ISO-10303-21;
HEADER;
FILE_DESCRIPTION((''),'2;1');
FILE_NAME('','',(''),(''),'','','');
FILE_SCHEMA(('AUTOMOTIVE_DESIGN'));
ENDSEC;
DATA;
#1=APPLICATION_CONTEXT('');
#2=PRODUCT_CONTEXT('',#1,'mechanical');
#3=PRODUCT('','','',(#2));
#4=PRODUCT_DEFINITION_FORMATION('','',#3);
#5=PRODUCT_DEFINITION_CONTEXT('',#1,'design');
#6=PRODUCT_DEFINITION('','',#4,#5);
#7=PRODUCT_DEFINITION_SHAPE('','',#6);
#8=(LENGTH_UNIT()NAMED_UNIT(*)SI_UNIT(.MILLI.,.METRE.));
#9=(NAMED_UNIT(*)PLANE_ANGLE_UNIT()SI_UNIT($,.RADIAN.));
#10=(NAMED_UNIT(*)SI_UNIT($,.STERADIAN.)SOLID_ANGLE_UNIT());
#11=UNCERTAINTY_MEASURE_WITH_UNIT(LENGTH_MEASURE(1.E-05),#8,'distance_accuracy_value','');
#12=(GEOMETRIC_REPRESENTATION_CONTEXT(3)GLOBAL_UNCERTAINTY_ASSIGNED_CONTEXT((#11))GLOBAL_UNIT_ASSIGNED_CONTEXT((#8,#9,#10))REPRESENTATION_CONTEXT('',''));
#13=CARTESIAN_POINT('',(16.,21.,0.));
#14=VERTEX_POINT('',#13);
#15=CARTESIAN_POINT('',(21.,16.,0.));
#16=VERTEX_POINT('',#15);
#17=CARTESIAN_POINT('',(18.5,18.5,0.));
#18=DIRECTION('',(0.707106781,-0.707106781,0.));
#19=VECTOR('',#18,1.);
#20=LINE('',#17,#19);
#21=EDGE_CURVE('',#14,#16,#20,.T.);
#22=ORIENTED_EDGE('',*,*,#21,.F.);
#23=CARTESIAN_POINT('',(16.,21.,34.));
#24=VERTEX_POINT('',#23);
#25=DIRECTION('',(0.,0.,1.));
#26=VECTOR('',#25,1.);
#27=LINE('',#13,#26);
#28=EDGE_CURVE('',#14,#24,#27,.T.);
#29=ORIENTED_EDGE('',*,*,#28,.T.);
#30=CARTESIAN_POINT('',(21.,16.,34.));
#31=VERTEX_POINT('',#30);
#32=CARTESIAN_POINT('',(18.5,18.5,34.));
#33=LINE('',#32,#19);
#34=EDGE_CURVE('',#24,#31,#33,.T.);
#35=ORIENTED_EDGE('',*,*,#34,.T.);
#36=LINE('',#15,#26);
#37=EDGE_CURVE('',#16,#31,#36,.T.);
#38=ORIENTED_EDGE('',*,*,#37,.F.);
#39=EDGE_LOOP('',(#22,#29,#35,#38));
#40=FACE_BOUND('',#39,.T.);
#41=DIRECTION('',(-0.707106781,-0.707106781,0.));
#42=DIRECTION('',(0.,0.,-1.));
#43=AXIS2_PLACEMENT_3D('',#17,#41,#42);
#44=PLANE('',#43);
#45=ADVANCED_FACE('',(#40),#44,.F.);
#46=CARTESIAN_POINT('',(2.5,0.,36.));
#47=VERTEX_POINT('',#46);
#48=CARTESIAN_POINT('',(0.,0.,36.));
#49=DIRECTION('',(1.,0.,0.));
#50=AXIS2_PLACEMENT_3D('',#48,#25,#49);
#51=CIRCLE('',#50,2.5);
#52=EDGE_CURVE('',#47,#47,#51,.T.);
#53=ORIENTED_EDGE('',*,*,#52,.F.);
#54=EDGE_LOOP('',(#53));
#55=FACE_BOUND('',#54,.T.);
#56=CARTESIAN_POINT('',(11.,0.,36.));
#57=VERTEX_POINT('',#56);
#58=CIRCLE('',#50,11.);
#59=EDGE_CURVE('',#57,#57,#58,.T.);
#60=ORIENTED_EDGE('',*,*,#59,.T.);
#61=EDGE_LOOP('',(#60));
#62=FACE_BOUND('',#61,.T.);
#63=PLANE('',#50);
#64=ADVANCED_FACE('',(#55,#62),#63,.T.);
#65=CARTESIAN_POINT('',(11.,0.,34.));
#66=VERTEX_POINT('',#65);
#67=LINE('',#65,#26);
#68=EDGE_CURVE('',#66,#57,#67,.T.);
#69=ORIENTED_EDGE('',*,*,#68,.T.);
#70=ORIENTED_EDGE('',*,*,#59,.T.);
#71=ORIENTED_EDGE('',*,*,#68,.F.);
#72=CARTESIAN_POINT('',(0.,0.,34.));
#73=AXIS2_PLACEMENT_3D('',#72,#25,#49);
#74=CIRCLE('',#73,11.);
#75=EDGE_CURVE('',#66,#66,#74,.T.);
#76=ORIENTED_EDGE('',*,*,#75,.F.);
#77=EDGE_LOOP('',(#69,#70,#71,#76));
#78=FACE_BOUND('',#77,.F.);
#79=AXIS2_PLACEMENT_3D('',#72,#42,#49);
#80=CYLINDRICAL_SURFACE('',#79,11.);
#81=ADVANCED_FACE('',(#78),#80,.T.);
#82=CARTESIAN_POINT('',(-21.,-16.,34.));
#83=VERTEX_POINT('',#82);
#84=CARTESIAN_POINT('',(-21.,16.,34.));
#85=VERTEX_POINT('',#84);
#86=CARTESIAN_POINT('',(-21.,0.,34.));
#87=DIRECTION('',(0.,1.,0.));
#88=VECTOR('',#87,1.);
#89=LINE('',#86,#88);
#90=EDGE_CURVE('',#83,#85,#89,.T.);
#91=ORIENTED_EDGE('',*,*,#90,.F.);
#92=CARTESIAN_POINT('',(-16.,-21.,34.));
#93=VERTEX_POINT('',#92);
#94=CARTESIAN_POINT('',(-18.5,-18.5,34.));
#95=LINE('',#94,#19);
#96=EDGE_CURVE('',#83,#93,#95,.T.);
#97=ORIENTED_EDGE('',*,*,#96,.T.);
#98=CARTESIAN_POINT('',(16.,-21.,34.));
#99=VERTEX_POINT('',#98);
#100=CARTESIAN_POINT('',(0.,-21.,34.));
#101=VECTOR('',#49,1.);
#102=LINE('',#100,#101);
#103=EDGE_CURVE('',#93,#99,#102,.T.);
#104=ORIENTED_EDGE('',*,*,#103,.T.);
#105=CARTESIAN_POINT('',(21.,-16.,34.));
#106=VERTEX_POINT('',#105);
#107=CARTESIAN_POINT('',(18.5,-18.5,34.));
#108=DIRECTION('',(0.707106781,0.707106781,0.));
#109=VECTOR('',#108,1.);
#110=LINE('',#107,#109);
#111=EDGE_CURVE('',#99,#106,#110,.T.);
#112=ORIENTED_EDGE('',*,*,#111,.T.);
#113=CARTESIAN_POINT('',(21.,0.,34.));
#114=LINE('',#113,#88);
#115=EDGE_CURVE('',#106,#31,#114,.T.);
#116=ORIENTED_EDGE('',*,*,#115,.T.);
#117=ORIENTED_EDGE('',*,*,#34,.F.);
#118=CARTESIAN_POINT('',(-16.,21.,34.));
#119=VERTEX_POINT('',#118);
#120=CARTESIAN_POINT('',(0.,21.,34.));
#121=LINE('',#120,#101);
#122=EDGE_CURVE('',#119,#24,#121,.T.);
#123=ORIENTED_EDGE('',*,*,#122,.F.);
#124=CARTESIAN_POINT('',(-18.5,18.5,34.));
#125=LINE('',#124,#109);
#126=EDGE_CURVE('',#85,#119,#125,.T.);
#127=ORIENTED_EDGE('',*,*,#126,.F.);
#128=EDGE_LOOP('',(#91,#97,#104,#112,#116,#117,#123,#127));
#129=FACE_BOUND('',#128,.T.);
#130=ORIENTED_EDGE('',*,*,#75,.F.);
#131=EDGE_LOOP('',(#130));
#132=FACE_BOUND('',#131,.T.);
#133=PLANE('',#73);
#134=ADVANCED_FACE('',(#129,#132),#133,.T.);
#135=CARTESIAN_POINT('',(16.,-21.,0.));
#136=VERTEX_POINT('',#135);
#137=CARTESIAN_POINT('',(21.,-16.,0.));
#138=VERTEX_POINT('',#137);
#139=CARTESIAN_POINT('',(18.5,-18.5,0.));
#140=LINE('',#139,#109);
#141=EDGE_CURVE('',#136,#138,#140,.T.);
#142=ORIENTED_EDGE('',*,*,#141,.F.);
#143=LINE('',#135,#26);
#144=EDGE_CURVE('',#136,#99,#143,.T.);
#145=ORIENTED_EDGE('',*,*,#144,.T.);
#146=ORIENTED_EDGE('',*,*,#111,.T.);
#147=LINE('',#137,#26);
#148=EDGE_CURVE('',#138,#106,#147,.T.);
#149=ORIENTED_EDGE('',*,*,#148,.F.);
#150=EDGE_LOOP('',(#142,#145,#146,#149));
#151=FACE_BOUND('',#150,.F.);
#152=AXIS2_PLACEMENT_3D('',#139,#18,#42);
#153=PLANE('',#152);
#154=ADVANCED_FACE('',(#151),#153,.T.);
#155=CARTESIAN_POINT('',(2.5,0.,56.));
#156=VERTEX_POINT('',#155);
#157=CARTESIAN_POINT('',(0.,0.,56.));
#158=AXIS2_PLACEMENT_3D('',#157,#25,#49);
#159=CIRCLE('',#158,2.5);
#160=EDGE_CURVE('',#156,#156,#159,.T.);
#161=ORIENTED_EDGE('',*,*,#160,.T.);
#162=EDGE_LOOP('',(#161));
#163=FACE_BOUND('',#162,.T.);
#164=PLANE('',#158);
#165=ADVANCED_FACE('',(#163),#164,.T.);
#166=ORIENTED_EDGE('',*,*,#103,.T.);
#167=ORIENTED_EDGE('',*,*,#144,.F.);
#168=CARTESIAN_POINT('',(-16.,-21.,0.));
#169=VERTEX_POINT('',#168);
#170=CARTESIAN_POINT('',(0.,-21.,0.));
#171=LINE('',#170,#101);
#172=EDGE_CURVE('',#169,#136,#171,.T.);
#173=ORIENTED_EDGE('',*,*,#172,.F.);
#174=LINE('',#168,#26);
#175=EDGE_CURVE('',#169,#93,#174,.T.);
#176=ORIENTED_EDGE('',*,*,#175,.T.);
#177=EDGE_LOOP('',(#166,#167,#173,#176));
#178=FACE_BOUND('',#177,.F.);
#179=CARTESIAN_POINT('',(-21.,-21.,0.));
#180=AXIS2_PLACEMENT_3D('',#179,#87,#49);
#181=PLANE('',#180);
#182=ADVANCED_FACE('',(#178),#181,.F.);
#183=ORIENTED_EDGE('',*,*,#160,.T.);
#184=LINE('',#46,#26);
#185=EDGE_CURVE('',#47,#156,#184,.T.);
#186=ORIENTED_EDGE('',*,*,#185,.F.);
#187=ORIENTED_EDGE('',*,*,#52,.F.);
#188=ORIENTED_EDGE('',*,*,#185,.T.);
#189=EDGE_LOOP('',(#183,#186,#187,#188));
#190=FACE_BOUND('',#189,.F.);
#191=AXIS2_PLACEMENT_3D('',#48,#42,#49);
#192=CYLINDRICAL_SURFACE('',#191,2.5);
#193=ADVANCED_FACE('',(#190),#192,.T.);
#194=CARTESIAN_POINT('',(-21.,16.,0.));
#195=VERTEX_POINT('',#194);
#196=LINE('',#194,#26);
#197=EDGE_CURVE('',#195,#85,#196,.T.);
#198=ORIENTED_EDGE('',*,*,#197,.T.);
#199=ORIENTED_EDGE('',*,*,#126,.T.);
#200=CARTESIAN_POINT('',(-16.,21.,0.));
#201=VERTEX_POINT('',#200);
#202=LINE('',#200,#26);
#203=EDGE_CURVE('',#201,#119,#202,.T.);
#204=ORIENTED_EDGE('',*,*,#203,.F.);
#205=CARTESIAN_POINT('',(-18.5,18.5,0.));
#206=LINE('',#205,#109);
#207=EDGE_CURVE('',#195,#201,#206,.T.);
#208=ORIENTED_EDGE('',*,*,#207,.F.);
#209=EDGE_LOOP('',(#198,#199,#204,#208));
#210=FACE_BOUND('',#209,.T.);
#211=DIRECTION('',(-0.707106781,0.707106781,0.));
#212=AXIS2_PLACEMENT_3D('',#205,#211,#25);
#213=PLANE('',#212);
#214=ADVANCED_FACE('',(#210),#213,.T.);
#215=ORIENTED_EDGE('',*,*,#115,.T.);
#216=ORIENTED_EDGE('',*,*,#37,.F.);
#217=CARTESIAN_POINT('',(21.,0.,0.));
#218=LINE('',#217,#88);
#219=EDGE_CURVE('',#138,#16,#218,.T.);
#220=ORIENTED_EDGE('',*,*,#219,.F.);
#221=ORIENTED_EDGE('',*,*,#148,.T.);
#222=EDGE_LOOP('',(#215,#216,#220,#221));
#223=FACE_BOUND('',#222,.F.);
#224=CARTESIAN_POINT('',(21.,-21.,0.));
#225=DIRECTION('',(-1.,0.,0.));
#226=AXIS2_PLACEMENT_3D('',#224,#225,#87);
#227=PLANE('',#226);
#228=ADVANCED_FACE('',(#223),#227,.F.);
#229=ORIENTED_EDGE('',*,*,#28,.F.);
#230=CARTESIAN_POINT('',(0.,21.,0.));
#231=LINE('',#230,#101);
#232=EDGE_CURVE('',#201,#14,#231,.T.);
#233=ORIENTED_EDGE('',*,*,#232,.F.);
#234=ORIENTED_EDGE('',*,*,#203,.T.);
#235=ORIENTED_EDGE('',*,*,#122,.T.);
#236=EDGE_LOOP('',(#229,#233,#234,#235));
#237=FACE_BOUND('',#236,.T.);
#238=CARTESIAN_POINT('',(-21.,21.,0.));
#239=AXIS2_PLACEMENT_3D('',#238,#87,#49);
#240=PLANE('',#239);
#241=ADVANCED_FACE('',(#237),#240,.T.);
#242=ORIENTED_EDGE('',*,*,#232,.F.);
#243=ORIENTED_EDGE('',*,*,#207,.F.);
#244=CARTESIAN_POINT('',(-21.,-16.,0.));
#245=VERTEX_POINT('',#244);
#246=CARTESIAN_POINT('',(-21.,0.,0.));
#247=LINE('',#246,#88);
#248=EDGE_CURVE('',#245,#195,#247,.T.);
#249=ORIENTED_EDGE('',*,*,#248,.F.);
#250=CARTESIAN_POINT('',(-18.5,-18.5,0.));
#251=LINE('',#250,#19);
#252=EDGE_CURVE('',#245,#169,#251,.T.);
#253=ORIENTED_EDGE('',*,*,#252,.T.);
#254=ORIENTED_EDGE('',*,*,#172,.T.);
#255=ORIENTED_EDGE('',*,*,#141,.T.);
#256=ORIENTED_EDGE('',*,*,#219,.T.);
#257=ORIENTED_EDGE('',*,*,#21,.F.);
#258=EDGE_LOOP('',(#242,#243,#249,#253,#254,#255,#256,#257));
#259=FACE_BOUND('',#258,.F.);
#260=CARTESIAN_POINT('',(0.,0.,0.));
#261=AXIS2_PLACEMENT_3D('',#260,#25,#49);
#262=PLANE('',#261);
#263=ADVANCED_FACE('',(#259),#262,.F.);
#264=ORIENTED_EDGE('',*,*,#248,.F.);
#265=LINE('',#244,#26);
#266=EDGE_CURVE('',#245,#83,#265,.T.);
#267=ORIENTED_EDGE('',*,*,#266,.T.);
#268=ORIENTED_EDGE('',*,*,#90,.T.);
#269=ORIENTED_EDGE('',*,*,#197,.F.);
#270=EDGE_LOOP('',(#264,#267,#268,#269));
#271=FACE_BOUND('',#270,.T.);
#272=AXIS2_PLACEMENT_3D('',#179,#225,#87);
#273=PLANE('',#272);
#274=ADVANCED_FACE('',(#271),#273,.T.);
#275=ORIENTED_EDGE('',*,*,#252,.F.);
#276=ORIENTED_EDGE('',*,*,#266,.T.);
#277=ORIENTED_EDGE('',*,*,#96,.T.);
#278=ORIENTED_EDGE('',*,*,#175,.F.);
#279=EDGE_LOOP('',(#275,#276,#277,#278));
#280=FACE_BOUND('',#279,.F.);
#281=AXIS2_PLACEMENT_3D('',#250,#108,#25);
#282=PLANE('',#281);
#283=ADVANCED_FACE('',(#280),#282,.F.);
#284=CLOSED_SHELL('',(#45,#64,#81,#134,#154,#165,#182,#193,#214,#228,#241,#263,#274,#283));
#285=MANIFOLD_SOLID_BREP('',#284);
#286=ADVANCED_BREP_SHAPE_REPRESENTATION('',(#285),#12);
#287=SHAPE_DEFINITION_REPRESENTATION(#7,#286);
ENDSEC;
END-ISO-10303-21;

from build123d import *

# Parameters (mm, degrees)
F0_W     = 42
F0_H     = 42
F1_DEPTH = 34
F2_R     = 11
F3_DEPTH = 2
F4_R     = 2.5
F5_DEPTH = 20
F6_SIZE  = 5


with BuildPart() as f1:
    # F0 (on Top) → F1 (new body)
    with BuildSketch(Plane.XY):
        Rectangle(F0_W, F0_H)
    extrude(amount=F1_DEPTH)

    # F2 (on face) → F3 (join)
    with BuildSketch(Plane.XY.offset(34)):
        Circle(F2_R)
    extrude(amount=F3_DEPTH)

    # F4 (on face) → F5 (join)
    with BuildSketch(Plane.XY.offset(36)):
        Circle(F4_R)
    extrude(amount=F5_DEPTH)

    # F6
    f6_edges = [f1.edges().sort_by_distance(p)[0] for p in [
        (-21, 21, 17),
        (21, 21, 17),
        (21, -21, 17),
        (-21, -21, 17),
    ]]
    chamfer(f6_edges, length=F6_SIZE)


solid = f1.part
